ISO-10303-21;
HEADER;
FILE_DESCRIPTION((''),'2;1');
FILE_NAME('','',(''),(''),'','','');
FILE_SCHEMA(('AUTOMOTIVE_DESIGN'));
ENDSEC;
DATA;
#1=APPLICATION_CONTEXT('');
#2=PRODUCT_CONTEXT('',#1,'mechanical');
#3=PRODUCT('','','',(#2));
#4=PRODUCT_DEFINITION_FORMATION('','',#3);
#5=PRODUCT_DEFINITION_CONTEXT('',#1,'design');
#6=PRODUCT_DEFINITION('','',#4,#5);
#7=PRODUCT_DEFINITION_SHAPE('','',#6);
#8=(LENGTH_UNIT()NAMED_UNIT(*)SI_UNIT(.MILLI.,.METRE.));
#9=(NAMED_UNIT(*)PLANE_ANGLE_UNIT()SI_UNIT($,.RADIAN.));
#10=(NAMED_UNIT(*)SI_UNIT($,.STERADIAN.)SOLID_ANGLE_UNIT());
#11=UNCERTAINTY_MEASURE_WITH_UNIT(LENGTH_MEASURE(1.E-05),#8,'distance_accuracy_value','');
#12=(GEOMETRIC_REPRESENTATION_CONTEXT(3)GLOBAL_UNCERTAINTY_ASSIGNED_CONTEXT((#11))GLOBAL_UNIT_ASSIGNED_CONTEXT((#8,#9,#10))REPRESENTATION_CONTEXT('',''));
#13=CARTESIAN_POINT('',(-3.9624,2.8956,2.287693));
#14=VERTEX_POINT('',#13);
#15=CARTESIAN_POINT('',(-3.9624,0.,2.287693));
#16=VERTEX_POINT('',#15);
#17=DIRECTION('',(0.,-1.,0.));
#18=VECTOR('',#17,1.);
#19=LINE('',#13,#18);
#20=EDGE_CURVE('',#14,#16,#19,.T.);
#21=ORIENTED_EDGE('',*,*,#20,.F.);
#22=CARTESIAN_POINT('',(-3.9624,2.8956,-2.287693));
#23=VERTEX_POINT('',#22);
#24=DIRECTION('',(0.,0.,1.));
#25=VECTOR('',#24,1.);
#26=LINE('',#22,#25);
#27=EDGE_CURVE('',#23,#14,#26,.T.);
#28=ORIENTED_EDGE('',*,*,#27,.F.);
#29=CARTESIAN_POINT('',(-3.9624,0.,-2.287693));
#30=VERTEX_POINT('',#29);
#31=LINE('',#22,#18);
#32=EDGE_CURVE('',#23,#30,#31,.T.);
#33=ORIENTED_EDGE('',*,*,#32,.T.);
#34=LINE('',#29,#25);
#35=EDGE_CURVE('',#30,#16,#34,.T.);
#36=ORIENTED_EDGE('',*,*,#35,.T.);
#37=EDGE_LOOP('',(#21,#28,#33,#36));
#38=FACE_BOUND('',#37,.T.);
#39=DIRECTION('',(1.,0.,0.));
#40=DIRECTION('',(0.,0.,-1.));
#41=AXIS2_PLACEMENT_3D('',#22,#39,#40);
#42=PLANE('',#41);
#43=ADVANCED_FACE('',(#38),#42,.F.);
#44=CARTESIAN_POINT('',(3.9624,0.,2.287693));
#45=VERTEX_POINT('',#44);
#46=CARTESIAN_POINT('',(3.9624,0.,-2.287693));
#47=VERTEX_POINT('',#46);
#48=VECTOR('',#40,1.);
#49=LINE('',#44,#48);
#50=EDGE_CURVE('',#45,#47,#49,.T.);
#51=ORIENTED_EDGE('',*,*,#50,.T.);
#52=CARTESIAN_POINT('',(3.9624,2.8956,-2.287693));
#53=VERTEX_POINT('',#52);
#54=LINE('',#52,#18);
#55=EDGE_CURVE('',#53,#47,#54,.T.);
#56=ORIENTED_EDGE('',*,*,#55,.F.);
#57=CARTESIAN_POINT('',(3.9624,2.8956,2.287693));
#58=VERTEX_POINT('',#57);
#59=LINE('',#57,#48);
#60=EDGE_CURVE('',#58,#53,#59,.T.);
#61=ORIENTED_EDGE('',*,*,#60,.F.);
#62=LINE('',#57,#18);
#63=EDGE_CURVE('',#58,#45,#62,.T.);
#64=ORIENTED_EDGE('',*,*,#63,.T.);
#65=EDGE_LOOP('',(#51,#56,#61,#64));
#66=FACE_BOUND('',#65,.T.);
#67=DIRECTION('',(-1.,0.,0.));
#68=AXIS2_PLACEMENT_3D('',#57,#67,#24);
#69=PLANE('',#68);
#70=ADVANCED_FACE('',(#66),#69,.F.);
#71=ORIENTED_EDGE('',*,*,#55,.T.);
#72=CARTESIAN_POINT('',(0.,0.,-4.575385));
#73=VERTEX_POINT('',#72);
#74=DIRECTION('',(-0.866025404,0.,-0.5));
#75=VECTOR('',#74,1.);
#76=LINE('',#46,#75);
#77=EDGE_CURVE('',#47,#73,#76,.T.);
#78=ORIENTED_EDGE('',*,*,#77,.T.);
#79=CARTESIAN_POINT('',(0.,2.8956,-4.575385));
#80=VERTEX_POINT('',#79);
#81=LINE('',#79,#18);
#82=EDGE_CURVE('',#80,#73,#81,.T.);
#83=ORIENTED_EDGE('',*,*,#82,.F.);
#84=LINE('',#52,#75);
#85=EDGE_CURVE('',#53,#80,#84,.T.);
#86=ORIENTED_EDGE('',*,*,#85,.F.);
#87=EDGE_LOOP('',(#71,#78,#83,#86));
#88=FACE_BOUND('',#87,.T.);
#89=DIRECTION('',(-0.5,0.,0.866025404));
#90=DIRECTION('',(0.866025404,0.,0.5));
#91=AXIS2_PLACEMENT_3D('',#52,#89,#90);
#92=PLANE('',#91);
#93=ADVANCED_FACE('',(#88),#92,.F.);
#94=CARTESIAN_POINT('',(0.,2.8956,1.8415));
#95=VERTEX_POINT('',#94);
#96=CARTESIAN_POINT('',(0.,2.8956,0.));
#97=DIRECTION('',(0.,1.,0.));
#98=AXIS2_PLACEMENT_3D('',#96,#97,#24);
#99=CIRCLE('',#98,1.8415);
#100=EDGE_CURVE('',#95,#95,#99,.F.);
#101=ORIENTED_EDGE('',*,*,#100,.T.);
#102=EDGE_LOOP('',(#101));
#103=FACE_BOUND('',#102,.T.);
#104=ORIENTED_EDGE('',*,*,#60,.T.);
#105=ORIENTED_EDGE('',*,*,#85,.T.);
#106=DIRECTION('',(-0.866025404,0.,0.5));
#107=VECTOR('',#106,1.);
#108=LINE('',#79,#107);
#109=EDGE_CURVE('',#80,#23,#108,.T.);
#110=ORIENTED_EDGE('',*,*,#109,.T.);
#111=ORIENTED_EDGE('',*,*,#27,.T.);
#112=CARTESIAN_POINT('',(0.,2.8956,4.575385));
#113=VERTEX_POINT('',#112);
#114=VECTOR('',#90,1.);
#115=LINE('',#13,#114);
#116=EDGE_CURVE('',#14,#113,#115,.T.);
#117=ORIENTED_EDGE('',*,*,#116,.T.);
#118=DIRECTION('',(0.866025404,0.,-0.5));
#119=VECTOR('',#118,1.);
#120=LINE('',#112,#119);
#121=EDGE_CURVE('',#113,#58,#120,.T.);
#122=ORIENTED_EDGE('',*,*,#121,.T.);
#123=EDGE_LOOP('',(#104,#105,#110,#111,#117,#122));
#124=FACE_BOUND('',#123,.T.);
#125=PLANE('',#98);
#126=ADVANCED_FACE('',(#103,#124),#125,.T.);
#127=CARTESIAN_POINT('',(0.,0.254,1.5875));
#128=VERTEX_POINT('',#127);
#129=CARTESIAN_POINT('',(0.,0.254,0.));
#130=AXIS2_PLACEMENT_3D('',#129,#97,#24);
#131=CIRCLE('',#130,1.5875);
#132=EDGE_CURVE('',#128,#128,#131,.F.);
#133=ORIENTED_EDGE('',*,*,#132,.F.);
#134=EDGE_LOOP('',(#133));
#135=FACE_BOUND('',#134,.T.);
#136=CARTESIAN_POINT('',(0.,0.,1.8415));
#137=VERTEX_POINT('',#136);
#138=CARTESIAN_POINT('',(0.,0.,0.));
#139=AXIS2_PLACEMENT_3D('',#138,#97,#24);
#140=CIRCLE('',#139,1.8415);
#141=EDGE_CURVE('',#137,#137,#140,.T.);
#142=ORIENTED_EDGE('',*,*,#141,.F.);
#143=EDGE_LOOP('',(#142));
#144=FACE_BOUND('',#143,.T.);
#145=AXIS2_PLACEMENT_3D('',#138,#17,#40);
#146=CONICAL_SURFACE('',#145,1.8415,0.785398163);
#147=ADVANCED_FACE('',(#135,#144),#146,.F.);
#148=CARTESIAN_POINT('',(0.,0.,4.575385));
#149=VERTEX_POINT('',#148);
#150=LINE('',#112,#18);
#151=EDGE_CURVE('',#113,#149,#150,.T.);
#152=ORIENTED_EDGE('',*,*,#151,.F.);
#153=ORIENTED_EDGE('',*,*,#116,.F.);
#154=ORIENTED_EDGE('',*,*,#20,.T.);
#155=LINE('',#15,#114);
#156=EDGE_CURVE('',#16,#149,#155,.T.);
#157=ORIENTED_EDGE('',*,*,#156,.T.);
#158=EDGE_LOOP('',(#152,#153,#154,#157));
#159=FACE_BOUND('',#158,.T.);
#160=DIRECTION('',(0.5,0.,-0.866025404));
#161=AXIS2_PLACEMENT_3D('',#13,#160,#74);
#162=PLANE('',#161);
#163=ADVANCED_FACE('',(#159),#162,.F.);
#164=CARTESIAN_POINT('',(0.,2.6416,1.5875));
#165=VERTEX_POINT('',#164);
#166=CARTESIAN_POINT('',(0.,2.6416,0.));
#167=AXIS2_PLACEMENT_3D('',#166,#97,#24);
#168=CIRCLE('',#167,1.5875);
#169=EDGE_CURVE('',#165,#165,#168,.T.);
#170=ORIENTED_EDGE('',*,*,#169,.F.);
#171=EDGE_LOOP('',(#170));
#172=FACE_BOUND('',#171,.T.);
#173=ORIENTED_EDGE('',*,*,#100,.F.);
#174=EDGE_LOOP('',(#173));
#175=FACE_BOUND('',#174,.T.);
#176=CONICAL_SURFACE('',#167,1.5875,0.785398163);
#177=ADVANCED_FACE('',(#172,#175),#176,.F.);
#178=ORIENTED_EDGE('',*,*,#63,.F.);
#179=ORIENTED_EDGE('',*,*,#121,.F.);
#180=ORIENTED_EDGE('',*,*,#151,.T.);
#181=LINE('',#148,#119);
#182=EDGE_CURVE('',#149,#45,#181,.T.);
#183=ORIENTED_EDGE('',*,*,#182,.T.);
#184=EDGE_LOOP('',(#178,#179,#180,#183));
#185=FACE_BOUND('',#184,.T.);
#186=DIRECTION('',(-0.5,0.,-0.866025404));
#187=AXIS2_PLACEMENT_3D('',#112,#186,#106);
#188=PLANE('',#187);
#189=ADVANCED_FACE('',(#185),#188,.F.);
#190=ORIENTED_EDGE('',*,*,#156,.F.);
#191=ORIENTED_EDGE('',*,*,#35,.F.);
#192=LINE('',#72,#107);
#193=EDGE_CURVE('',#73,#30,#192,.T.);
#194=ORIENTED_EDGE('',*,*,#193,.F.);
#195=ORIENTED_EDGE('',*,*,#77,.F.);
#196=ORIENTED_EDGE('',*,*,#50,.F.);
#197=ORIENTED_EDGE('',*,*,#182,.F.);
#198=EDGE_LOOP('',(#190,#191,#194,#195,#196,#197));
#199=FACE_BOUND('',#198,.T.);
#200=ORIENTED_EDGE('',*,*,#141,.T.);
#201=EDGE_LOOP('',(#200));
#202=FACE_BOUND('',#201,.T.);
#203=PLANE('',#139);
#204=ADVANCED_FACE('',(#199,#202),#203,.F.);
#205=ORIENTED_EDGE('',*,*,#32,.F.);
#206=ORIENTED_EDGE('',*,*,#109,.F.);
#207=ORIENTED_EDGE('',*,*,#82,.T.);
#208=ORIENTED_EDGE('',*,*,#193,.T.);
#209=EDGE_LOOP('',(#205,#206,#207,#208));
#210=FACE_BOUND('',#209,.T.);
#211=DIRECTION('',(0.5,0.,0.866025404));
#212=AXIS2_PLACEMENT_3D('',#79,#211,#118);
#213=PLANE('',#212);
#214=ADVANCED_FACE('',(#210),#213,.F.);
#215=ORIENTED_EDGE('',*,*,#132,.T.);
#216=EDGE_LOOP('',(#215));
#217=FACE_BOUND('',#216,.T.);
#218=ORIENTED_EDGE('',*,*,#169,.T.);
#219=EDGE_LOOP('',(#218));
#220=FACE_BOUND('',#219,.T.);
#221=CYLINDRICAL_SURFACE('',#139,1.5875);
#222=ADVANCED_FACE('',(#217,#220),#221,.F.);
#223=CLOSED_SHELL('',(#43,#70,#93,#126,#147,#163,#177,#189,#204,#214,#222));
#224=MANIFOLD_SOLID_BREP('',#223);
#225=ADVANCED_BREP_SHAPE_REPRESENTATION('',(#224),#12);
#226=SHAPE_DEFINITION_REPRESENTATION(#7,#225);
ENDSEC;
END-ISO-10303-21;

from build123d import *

# Parameters (mm, degrees)
BOSS_EXTRUDE1_DEPTH = 2.8956
SKETCH2_R           = 1.5875
CUT_EXTRUDE1_DEPTH  = 2.8956
CHAMFER3_SIZE       = 0.254
CHAMFER4_SIZE       = 0.254


with BuildPart() as part:
    # Sketch1 → Boss-Extrude1 (new body)
    with BuildSketch(Plane(origin=(0, 0, 0), x_dir=(1, 0, 0), z_dir=(0, 1, 0))):
        Polygon((0, -4.575385413), (3.9624, -2.287692707), (3.9624, 2.287692707), (0, 4.575385413), (-3.9624, 2.287692707), (-3.9624, -2.287692707), align=None)
    extrude(amount=BOSS_EXTRUDE1_DEPTH)

    # Sketch2 → Cut-Extrude1 (cut)
    with BuildSketch(Plane(origin=(0, 2.8956, 0), x_dir=(1, 0, 0), z_dir=(0, 1, 0))):
        Circle(SKETCH2_R)
    extrude(amount=-CUT_EXTRUDE1_DEPTH, mode=Mode.SUBTRACT)

    # Chamfer3
    chamfer3_edges = [part.edges().sort_by_distance(p)[0] for p in [
        (-1.5875, 2.8956, 0),
    ]]
    chamfer(chamfer3_edges, length=CHAMFER3_SIZE)

    # Chamfer4
    chamfer4_edges = [part.edges().sort_by_distance(p)[0] for p in [
        (-1.5875, 0, 0),
    ]]
    chamfer(chamfer4_edges, length=CHAMFER4_SIZE)


solid = part.part
